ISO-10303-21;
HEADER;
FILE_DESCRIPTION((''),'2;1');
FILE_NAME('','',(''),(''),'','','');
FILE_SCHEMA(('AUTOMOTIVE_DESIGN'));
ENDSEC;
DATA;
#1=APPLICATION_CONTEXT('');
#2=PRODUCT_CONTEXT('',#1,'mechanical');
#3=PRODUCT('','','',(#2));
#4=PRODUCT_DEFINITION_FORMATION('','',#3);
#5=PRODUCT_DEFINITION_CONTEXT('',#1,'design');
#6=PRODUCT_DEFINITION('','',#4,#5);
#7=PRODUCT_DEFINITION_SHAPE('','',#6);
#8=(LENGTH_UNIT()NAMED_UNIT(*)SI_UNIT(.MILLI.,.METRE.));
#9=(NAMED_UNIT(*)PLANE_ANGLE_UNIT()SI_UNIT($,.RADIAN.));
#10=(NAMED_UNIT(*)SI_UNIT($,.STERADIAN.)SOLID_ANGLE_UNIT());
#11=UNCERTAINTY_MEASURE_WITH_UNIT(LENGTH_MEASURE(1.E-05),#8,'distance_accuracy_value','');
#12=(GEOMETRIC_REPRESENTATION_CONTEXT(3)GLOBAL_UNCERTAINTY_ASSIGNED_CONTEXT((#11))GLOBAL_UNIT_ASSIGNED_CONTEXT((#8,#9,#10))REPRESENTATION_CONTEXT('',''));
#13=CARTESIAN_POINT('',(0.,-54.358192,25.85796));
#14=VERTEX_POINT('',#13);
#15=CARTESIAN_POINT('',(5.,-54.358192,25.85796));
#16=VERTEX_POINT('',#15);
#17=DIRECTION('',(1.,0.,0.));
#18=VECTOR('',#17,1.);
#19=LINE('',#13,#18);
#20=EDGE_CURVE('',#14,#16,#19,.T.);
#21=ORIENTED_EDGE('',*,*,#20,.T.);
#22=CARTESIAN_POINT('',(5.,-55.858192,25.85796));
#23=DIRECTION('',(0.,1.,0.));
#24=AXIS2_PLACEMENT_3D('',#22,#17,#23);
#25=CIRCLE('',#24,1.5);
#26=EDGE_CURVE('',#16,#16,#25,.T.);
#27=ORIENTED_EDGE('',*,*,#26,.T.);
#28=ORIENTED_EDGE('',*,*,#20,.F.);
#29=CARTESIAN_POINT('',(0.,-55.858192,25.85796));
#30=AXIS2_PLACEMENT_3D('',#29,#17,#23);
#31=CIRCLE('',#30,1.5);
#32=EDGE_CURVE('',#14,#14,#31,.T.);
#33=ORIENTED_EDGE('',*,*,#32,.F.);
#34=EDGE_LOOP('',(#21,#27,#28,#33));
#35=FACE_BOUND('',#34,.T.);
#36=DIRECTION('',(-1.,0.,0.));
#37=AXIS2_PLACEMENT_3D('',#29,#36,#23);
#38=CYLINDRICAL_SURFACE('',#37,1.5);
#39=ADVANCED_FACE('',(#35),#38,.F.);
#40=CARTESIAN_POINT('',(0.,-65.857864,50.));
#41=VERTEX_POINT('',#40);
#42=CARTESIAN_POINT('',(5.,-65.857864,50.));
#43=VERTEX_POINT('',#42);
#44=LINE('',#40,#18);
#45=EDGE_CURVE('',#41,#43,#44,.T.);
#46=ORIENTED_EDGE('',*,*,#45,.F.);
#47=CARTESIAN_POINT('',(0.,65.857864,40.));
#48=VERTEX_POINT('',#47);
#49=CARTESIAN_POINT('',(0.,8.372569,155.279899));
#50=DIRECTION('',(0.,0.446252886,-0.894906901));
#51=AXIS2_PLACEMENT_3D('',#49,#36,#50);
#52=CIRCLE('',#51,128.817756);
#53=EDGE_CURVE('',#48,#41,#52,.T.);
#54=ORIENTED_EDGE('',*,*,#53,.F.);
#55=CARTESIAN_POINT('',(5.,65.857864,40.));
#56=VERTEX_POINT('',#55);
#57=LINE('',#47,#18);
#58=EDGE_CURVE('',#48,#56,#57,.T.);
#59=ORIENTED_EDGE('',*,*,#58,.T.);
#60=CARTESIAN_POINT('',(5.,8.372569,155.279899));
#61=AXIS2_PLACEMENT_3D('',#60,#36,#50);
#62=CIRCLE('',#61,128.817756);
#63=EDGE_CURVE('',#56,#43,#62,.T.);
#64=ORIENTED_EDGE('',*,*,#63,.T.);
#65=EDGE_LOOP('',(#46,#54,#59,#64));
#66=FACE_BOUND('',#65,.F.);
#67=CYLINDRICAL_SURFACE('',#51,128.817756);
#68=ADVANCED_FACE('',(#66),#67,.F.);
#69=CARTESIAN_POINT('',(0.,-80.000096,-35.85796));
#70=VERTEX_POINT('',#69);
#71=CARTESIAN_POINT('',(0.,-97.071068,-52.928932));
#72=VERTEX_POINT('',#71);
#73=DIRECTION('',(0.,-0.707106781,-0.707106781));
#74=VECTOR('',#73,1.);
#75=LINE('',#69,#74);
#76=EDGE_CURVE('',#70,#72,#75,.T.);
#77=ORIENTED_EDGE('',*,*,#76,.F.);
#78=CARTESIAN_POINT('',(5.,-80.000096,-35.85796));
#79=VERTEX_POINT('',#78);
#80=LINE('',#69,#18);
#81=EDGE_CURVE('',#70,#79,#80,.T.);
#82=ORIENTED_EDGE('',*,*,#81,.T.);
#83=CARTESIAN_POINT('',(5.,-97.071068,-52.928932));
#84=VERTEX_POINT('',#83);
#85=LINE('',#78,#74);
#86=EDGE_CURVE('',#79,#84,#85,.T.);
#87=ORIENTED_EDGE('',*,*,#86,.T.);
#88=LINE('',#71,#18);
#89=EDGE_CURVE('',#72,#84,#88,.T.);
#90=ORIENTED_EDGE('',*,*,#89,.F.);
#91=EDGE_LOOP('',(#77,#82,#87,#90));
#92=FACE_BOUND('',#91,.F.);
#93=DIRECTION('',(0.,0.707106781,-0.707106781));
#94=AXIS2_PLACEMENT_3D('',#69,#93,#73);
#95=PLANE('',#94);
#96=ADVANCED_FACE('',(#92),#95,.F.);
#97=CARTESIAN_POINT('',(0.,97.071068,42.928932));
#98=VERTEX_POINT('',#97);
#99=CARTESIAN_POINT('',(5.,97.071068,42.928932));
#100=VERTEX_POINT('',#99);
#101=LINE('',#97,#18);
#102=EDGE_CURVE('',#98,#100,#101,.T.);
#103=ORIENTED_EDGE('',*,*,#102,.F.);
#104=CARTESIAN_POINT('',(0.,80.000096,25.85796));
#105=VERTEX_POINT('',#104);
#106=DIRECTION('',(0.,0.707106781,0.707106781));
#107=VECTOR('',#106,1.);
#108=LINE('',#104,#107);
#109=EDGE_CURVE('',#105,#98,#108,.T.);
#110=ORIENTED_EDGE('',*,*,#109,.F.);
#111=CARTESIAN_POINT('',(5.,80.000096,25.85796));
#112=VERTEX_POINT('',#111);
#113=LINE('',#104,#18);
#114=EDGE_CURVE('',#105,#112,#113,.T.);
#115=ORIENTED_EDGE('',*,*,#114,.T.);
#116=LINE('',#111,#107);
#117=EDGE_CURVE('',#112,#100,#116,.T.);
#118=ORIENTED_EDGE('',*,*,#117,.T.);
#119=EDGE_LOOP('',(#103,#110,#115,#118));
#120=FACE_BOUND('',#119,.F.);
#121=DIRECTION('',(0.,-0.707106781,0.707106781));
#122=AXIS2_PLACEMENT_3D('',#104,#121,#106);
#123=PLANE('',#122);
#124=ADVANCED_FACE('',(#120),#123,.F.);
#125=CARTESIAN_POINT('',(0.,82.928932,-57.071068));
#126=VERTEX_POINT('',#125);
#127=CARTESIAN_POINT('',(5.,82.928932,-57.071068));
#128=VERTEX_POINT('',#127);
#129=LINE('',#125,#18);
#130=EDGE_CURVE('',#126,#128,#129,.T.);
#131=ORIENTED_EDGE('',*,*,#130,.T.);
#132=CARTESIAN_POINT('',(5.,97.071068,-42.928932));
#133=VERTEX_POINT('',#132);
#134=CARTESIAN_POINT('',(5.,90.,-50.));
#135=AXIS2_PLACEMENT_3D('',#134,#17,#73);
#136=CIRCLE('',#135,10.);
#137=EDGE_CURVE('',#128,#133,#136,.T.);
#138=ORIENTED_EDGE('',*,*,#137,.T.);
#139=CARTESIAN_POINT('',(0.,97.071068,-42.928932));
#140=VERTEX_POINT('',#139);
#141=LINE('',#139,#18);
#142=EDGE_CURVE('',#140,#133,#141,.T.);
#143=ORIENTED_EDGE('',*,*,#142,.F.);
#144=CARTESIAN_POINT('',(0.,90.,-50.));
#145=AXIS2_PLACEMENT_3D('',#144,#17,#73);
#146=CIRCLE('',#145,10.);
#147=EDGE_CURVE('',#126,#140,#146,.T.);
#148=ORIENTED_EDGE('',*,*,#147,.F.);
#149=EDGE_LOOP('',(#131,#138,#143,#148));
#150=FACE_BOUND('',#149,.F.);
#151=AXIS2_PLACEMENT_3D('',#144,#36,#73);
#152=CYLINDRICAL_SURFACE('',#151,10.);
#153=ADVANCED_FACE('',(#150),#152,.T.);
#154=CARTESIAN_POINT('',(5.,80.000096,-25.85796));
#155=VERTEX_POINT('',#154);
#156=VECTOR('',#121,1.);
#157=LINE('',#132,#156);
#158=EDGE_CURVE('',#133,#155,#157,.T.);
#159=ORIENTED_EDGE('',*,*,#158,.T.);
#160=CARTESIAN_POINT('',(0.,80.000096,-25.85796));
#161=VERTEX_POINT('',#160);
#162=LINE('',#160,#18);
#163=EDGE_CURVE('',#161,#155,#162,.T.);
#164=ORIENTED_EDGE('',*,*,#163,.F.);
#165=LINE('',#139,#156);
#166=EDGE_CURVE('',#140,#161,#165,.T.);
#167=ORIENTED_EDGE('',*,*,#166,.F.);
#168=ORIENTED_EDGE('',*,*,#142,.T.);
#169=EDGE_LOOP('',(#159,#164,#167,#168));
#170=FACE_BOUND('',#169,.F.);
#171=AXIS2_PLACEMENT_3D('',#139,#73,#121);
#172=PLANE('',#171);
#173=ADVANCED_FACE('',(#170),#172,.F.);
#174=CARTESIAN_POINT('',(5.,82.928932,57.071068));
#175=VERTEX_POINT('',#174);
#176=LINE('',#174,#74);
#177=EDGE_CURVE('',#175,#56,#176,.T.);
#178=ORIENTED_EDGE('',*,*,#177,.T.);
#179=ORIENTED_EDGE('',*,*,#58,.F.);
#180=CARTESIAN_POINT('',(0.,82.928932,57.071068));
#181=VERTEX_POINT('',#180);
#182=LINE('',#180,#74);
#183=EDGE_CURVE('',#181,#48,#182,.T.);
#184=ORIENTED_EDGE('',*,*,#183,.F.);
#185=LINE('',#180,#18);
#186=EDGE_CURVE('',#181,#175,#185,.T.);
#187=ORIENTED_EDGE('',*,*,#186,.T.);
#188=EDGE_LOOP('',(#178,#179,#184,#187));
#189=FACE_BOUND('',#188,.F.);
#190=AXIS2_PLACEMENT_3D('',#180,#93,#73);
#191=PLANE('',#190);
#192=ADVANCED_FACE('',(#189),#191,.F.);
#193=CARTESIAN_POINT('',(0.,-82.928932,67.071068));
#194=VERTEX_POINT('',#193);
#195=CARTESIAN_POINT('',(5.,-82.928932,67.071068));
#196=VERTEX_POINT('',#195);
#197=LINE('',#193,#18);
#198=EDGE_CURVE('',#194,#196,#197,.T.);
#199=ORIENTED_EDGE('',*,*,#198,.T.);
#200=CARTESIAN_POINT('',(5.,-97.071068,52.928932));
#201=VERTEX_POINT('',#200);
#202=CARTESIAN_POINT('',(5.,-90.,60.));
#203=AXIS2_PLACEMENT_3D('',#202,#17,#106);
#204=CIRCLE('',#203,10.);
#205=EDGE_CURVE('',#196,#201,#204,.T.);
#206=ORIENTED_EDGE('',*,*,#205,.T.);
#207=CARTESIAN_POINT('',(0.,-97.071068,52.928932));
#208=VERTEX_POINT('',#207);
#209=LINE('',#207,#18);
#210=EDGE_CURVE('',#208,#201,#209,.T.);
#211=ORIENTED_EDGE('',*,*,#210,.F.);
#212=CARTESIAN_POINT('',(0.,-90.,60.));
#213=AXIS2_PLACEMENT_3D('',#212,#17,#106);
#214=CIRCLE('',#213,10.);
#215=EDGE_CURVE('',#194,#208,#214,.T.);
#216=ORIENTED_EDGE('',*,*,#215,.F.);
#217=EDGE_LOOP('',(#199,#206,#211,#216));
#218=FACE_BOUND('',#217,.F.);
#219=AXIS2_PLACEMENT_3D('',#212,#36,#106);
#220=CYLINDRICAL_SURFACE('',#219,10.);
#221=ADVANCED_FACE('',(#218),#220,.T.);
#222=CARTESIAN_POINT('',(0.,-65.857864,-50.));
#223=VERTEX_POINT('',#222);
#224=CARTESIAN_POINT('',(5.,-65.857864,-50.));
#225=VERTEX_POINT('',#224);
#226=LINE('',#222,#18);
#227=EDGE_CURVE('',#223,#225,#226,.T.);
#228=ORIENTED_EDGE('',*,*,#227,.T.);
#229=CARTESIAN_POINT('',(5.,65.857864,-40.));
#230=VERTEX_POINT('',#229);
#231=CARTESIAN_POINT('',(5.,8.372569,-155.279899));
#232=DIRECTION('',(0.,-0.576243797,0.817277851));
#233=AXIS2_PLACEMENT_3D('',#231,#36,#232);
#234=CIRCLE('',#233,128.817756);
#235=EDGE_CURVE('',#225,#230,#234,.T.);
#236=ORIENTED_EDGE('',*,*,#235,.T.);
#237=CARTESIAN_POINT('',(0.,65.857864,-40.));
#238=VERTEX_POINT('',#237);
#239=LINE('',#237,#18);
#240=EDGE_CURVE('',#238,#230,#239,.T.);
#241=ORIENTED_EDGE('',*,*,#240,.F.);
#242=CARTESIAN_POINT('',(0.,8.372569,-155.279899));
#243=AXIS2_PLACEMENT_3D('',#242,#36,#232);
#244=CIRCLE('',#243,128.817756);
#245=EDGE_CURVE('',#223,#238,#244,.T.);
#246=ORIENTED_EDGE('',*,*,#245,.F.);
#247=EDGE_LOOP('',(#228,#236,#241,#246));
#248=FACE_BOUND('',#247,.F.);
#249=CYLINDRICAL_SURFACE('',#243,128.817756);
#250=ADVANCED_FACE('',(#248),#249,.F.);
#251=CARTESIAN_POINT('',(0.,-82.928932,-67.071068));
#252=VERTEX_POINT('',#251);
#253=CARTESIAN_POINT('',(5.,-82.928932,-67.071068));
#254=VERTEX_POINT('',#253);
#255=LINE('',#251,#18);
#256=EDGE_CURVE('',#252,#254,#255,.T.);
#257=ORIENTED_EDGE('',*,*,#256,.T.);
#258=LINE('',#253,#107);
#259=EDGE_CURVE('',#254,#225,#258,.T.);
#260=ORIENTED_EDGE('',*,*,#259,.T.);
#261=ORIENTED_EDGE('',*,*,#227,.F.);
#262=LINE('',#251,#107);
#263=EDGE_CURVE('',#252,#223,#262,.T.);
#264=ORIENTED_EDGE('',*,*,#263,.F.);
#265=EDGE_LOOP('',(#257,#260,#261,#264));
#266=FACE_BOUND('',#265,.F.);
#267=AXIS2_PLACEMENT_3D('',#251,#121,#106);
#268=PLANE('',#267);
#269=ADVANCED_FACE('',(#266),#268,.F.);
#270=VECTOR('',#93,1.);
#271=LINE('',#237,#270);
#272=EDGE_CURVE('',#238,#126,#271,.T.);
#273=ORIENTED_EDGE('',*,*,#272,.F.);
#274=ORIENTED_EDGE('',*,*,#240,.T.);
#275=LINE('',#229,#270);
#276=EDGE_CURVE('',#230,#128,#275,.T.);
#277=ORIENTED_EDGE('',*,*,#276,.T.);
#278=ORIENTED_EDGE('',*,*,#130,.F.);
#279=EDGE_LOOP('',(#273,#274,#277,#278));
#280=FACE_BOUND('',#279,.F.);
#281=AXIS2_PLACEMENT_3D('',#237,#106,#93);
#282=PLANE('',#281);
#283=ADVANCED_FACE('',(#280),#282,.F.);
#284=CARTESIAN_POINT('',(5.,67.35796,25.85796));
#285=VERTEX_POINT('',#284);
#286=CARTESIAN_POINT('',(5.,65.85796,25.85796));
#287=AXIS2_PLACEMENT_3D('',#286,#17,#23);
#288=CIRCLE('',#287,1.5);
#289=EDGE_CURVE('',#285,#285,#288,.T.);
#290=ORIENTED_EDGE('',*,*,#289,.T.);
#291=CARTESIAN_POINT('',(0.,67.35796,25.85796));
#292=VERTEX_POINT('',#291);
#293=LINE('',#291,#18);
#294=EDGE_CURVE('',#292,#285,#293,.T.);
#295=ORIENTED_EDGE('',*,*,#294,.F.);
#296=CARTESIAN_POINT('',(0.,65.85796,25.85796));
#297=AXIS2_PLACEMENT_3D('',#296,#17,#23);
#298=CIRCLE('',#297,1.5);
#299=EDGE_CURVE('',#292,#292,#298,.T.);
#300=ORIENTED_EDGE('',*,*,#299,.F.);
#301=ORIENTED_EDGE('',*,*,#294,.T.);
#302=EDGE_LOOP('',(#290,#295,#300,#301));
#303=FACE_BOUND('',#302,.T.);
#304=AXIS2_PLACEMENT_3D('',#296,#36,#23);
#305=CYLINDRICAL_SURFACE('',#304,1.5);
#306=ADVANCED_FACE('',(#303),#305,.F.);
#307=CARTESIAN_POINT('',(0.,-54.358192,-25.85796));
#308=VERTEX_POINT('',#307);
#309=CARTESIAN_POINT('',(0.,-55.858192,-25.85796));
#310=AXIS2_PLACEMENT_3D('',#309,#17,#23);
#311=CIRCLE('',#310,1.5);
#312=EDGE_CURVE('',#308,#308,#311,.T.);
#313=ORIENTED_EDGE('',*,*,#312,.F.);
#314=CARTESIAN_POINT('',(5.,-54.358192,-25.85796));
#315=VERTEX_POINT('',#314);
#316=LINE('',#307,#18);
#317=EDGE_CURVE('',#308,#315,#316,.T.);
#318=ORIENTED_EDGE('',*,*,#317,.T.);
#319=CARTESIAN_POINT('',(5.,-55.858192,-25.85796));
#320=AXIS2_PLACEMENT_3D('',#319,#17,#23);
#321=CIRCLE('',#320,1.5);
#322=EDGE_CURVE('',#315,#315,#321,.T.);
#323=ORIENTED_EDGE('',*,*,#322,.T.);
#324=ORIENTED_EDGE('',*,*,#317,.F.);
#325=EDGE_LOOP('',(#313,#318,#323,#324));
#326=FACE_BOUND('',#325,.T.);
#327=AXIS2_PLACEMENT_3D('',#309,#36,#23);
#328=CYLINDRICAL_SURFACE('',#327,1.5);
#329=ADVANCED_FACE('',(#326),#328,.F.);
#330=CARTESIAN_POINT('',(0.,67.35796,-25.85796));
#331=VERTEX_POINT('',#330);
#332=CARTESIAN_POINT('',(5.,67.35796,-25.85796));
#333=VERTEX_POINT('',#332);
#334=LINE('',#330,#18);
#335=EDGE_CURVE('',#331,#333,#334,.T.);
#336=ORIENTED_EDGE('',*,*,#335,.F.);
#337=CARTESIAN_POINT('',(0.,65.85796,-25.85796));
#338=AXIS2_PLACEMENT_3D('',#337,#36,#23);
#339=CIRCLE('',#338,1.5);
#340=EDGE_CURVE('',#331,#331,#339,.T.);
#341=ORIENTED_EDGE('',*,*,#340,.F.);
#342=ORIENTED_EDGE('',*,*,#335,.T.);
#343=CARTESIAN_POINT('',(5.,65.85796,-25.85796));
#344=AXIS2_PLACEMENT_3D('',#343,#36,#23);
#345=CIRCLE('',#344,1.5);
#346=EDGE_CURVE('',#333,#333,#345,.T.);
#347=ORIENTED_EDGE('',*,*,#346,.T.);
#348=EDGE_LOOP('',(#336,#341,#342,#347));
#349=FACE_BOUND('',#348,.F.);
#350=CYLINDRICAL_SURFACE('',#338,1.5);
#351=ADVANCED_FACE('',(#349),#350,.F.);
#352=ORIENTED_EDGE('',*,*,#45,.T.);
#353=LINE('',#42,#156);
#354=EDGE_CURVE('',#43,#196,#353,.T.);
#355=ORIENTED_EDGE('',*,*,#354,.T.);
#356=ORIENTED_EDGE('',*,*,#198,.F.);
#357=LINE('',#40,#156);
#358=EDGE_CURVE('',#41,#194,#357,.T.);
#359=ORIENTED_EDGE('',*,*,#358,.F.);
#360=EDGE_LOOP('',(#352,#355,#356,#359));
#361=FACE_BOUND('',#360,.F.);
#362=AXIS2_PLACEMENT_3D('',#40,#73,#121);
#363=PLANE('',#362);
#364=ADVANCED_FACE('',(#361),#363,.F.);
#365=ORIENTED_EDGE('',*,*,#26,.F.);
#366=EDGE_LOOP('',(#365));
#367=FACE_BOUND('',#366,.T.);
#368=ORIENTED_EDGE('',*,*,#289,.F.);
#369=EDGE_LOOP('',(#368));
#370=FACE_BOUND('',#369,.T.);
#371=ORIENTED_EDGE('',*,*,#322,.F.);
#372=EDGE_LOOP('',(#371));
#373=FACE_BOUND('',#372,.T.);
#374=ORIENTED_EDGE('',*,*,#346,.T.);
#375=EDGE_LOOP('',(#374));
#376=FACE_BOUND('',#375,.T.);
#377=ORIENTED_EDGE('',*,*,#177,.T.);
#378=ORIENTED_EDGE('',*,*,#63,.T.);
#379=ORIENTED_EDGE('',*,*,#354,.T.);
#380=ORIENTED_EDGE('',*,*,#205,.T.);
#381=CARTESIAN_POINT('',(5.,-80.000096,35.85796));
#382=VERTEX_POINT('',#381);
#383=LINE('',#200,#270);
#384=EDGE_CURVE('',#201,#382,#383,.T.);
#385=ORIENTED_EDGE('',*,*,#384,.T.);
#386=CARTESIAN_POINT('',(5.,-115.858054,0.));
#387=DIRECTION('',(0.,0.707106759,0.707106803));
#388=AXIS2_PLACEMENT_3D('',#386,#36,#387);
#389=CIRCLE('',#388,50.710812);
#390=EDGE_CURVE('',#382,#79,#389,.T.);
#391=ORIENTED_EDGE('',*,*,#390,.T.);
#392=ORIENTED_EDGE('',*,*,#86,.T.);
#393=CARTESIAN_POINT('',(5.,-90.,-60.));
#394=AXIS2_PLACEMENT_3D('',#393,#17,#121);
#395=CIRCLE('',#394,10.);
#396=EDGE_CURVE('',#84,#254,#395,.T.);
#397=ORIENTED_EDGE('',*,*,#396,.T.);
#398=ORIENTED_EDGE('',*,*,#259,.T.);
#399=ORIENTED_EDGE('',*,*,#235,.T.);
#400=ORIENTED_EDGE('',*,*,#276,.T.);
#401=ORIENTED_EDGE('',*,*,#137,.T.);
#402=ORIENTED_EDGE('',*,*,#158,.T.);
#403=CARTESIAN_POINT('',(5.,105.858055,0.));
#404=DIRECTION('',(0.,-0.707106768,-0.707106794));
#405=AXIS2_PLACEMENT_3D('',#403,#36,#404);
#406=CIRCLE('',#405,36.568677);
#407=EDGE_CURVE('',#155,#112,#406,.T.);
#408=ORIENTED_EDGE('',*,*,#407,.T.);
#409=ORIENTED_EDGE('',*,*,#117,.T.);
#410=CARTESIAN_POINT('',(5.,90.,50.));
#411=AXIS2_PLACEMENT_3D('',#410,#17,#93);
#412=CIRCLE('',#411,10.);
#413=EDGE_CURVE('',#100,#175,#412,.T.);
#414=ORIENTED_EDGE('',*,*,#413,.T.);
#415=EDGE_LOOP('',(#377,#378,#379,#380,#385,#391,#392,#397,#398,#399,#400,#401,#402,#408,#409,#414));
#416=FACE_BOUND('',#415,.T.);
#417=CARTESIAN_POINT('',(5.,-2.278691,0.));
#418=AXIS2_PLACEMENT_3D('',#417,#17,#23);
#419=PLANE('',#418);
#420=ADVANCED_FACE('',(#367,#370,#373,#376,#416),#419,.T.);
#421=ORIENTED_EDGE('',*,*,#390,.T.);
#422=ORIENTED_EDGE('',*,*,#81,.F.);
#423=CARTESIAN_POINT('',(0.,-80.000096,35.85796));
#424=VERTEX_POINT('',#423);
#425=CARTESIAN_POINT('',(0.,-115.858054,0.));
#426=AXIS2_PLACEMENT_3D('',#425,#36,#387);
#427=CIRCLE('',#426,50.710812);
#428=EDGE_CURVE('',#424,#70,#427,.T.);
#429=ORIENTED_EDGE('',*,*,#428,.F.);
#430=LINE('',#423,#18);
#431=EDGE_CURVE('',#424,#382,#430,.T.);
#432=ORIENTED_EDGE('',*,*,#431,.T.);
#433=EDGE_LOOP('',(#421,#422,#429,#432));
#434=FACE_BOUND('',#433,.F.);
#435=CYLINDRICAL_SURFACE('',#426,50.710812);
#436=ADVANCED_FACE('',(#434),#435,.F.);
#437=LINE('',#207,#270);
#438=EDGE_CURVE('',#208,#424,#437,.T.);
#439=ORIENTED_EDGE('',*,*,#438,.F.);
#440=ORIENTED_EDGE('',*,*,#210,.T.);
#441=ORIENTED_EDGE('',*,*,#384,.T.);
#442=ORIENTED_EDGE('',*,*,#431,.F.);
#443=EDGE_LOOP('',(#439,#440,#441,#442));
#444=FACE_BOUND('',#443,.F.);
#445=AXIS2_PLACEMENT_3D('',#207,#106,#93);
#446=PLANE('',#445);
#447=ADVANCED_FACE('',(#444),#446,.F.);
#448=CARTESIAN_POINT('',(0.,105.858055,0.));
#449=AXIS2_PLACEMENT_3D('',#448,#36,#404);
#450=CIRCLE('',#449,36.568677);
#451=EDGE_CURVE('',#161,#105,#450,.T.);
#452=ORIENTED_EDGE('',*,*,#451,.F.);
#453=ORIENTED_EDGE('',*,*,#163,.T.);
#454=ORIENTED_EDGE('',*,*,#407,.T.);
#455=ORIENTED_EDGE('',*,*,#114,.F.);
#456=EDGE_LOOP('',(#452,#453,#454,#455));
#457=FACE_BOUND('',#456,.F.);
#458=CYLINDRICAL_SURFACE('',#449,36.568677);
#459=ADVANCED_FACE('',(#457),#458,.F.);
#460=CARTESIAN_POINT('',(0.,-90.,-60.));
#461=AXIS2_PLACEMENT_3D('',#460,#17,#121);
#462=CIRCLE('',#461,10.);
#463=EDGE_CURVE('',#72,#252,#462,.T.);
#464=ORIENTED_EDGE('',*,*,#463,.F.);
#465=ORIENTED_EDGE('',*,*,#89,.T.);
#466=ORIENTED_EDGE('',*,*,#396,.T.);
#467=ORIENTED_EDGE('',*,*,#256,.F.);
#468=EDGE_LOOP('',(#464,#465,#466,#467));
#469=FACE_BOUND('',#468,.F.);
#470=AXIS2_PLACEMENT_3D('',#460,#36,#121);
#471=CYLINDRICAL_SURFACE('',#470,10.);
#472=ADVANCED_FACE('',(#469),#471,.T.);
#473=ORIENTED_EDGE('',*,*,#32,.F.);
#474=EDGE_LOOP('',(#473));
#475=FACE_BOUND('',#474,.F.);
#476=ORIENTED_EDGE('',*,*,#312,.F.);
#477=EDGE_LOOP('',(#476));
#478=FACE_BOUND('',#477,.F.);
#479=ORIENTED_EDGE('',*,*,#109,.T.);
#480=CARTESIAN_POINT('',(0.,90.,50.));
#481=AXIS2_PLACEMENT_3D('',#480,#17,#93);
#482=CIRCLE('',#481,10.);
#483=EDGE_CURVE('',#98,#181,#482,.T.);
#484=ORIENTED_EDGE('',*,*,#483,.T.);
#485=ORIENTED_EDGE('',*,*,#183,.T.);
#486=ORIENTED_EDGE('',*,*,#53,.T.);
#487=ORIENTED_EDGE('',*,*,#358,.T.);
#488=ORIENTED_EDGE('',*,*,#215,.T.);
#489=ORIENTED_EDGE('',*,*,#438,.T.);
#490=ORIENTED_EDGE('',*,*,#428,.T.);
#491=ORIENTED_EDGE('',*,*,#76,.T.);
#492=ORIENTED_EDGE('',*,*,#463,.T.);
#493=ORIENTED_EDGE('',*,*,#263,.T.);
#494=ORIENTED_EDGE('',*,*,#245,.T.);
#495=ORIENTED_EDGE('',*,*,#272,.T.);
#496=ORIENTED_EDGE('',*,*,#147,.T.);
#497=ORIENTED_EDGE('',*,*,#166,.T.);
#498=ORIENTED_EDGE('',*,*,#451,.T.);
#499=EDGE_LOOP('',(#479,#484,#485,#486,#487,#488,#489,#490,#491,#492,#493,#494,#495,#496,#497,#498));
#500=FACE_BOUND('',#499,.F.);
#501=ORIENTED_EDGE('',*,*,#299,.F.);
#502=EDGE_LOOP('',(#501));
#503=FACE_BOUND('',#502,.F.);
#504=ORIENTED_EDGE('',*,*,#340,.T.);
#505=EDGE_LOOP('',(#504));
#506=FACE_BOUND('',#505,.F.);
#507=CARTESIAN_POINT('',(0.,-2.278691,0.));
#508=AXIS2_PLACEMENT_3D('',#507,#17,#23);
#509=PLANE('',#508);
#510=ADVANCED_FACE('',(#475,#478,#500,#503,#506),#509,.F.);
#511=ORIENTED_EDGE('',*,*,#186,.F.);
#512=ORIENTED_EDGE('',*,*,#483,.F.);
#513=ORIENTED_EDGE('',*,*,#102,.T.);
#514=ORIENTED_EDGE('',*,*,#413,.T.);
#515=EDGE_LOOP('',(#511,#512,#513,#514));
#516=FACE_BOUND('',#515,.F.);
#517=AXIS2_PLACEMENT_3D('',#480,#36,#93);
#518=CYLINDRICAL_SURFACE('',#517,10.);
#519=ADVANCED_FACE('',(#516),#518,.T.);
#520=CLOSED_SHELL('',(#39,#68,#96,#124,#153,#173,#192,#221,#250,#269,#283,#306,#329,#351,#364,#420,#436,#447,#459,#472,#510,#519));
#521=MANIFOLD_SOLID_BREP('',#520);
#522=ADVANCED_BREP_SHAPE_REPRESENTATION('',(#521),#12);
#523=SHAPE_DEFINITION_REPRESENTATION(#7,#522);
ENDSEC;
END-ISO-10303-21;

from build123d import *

# Parameters (mm, degrees)
F0_R     = 1.5
F1_DEPTH = 5


with BuildPart() as f1:
    # F0 (on Right) → F1 (new body)
    with BuildSketch(Plane.YZ):
        with BuildLine():
            Line((80.000096, 25.85796), (97.071068, 42.928932))
            ThreePointArc((97.071068, 42.928932), (97.071068, 57.071068), (82.928932, 57.071068))
            Line((82.928932, 57.071068), (65.857864, 40))
            ThreePointArc((65.857864, 40), (-1.379349, 26.831799), (-65.857864, 50))
            Line((-65.857864, 50), (-82.928932, 67.071068))
            ThreePointArc((-82.928932, 67.071068), (-97.071068, 67.071068), (-97.071068, 52.928932))
            Line((-97.071068, 52.928932), (-80.000096, 35.85796))
            ThreePointArc((-80.000096, 35.85796), (-65.147242, 0), (-80.000096, -35.85796))
            Line((-80.000096, -35.85796), (-97.071068, -52.928932))
            ThreePointArc((-97.071068, -52.928932), (-97.071068, -67.071068), (-82.928932, -67.071068))
            Line((-82.928932, -67.071068), (-65.857864, -50))
            ThreePointArc((-65.857864, -50), (-1.379349, -26.831799), (65.857864, -40))
            Line((65.857864, -40), (82.928932, -57.071068))
            ThreePointArc((82.928932, -57.071068), (97.071068, -57.071068), (97.071068, -42.928932))
            Line((97.071068, -42.928932), (80.000096, -25.85796))
            ThreePointArc((80.000096, -25.85796), (69.289378, 0), (80.000096, 25.85796))
        make_face()
        with Locations((-55.858192, -25.85796)):
            Circle(F0_R, mode=Mode.SUBTRACT)
        with BuildLine():
            ThreePointArc((64.35796, -25.85796), (65.85796, -24.35796), (67.35796, -25.85796))
            ThreePointArc((67.35796, -25.85796), (65.85796, -27.35796), (64.35796, -25.85796))
        make_face(mode=Mode.SUBTRACT)
        with Locations((-55.858192, 25.85796)):
            Circle(F0_R, mode=Mode.SUBTRACT)
        with Locations((65.85796, 25.85796)):
            Circle(F0_R, mode=Mode.SUBTRACT)
    extrude(amount=F1_DEPTH)


solid = f1.part
